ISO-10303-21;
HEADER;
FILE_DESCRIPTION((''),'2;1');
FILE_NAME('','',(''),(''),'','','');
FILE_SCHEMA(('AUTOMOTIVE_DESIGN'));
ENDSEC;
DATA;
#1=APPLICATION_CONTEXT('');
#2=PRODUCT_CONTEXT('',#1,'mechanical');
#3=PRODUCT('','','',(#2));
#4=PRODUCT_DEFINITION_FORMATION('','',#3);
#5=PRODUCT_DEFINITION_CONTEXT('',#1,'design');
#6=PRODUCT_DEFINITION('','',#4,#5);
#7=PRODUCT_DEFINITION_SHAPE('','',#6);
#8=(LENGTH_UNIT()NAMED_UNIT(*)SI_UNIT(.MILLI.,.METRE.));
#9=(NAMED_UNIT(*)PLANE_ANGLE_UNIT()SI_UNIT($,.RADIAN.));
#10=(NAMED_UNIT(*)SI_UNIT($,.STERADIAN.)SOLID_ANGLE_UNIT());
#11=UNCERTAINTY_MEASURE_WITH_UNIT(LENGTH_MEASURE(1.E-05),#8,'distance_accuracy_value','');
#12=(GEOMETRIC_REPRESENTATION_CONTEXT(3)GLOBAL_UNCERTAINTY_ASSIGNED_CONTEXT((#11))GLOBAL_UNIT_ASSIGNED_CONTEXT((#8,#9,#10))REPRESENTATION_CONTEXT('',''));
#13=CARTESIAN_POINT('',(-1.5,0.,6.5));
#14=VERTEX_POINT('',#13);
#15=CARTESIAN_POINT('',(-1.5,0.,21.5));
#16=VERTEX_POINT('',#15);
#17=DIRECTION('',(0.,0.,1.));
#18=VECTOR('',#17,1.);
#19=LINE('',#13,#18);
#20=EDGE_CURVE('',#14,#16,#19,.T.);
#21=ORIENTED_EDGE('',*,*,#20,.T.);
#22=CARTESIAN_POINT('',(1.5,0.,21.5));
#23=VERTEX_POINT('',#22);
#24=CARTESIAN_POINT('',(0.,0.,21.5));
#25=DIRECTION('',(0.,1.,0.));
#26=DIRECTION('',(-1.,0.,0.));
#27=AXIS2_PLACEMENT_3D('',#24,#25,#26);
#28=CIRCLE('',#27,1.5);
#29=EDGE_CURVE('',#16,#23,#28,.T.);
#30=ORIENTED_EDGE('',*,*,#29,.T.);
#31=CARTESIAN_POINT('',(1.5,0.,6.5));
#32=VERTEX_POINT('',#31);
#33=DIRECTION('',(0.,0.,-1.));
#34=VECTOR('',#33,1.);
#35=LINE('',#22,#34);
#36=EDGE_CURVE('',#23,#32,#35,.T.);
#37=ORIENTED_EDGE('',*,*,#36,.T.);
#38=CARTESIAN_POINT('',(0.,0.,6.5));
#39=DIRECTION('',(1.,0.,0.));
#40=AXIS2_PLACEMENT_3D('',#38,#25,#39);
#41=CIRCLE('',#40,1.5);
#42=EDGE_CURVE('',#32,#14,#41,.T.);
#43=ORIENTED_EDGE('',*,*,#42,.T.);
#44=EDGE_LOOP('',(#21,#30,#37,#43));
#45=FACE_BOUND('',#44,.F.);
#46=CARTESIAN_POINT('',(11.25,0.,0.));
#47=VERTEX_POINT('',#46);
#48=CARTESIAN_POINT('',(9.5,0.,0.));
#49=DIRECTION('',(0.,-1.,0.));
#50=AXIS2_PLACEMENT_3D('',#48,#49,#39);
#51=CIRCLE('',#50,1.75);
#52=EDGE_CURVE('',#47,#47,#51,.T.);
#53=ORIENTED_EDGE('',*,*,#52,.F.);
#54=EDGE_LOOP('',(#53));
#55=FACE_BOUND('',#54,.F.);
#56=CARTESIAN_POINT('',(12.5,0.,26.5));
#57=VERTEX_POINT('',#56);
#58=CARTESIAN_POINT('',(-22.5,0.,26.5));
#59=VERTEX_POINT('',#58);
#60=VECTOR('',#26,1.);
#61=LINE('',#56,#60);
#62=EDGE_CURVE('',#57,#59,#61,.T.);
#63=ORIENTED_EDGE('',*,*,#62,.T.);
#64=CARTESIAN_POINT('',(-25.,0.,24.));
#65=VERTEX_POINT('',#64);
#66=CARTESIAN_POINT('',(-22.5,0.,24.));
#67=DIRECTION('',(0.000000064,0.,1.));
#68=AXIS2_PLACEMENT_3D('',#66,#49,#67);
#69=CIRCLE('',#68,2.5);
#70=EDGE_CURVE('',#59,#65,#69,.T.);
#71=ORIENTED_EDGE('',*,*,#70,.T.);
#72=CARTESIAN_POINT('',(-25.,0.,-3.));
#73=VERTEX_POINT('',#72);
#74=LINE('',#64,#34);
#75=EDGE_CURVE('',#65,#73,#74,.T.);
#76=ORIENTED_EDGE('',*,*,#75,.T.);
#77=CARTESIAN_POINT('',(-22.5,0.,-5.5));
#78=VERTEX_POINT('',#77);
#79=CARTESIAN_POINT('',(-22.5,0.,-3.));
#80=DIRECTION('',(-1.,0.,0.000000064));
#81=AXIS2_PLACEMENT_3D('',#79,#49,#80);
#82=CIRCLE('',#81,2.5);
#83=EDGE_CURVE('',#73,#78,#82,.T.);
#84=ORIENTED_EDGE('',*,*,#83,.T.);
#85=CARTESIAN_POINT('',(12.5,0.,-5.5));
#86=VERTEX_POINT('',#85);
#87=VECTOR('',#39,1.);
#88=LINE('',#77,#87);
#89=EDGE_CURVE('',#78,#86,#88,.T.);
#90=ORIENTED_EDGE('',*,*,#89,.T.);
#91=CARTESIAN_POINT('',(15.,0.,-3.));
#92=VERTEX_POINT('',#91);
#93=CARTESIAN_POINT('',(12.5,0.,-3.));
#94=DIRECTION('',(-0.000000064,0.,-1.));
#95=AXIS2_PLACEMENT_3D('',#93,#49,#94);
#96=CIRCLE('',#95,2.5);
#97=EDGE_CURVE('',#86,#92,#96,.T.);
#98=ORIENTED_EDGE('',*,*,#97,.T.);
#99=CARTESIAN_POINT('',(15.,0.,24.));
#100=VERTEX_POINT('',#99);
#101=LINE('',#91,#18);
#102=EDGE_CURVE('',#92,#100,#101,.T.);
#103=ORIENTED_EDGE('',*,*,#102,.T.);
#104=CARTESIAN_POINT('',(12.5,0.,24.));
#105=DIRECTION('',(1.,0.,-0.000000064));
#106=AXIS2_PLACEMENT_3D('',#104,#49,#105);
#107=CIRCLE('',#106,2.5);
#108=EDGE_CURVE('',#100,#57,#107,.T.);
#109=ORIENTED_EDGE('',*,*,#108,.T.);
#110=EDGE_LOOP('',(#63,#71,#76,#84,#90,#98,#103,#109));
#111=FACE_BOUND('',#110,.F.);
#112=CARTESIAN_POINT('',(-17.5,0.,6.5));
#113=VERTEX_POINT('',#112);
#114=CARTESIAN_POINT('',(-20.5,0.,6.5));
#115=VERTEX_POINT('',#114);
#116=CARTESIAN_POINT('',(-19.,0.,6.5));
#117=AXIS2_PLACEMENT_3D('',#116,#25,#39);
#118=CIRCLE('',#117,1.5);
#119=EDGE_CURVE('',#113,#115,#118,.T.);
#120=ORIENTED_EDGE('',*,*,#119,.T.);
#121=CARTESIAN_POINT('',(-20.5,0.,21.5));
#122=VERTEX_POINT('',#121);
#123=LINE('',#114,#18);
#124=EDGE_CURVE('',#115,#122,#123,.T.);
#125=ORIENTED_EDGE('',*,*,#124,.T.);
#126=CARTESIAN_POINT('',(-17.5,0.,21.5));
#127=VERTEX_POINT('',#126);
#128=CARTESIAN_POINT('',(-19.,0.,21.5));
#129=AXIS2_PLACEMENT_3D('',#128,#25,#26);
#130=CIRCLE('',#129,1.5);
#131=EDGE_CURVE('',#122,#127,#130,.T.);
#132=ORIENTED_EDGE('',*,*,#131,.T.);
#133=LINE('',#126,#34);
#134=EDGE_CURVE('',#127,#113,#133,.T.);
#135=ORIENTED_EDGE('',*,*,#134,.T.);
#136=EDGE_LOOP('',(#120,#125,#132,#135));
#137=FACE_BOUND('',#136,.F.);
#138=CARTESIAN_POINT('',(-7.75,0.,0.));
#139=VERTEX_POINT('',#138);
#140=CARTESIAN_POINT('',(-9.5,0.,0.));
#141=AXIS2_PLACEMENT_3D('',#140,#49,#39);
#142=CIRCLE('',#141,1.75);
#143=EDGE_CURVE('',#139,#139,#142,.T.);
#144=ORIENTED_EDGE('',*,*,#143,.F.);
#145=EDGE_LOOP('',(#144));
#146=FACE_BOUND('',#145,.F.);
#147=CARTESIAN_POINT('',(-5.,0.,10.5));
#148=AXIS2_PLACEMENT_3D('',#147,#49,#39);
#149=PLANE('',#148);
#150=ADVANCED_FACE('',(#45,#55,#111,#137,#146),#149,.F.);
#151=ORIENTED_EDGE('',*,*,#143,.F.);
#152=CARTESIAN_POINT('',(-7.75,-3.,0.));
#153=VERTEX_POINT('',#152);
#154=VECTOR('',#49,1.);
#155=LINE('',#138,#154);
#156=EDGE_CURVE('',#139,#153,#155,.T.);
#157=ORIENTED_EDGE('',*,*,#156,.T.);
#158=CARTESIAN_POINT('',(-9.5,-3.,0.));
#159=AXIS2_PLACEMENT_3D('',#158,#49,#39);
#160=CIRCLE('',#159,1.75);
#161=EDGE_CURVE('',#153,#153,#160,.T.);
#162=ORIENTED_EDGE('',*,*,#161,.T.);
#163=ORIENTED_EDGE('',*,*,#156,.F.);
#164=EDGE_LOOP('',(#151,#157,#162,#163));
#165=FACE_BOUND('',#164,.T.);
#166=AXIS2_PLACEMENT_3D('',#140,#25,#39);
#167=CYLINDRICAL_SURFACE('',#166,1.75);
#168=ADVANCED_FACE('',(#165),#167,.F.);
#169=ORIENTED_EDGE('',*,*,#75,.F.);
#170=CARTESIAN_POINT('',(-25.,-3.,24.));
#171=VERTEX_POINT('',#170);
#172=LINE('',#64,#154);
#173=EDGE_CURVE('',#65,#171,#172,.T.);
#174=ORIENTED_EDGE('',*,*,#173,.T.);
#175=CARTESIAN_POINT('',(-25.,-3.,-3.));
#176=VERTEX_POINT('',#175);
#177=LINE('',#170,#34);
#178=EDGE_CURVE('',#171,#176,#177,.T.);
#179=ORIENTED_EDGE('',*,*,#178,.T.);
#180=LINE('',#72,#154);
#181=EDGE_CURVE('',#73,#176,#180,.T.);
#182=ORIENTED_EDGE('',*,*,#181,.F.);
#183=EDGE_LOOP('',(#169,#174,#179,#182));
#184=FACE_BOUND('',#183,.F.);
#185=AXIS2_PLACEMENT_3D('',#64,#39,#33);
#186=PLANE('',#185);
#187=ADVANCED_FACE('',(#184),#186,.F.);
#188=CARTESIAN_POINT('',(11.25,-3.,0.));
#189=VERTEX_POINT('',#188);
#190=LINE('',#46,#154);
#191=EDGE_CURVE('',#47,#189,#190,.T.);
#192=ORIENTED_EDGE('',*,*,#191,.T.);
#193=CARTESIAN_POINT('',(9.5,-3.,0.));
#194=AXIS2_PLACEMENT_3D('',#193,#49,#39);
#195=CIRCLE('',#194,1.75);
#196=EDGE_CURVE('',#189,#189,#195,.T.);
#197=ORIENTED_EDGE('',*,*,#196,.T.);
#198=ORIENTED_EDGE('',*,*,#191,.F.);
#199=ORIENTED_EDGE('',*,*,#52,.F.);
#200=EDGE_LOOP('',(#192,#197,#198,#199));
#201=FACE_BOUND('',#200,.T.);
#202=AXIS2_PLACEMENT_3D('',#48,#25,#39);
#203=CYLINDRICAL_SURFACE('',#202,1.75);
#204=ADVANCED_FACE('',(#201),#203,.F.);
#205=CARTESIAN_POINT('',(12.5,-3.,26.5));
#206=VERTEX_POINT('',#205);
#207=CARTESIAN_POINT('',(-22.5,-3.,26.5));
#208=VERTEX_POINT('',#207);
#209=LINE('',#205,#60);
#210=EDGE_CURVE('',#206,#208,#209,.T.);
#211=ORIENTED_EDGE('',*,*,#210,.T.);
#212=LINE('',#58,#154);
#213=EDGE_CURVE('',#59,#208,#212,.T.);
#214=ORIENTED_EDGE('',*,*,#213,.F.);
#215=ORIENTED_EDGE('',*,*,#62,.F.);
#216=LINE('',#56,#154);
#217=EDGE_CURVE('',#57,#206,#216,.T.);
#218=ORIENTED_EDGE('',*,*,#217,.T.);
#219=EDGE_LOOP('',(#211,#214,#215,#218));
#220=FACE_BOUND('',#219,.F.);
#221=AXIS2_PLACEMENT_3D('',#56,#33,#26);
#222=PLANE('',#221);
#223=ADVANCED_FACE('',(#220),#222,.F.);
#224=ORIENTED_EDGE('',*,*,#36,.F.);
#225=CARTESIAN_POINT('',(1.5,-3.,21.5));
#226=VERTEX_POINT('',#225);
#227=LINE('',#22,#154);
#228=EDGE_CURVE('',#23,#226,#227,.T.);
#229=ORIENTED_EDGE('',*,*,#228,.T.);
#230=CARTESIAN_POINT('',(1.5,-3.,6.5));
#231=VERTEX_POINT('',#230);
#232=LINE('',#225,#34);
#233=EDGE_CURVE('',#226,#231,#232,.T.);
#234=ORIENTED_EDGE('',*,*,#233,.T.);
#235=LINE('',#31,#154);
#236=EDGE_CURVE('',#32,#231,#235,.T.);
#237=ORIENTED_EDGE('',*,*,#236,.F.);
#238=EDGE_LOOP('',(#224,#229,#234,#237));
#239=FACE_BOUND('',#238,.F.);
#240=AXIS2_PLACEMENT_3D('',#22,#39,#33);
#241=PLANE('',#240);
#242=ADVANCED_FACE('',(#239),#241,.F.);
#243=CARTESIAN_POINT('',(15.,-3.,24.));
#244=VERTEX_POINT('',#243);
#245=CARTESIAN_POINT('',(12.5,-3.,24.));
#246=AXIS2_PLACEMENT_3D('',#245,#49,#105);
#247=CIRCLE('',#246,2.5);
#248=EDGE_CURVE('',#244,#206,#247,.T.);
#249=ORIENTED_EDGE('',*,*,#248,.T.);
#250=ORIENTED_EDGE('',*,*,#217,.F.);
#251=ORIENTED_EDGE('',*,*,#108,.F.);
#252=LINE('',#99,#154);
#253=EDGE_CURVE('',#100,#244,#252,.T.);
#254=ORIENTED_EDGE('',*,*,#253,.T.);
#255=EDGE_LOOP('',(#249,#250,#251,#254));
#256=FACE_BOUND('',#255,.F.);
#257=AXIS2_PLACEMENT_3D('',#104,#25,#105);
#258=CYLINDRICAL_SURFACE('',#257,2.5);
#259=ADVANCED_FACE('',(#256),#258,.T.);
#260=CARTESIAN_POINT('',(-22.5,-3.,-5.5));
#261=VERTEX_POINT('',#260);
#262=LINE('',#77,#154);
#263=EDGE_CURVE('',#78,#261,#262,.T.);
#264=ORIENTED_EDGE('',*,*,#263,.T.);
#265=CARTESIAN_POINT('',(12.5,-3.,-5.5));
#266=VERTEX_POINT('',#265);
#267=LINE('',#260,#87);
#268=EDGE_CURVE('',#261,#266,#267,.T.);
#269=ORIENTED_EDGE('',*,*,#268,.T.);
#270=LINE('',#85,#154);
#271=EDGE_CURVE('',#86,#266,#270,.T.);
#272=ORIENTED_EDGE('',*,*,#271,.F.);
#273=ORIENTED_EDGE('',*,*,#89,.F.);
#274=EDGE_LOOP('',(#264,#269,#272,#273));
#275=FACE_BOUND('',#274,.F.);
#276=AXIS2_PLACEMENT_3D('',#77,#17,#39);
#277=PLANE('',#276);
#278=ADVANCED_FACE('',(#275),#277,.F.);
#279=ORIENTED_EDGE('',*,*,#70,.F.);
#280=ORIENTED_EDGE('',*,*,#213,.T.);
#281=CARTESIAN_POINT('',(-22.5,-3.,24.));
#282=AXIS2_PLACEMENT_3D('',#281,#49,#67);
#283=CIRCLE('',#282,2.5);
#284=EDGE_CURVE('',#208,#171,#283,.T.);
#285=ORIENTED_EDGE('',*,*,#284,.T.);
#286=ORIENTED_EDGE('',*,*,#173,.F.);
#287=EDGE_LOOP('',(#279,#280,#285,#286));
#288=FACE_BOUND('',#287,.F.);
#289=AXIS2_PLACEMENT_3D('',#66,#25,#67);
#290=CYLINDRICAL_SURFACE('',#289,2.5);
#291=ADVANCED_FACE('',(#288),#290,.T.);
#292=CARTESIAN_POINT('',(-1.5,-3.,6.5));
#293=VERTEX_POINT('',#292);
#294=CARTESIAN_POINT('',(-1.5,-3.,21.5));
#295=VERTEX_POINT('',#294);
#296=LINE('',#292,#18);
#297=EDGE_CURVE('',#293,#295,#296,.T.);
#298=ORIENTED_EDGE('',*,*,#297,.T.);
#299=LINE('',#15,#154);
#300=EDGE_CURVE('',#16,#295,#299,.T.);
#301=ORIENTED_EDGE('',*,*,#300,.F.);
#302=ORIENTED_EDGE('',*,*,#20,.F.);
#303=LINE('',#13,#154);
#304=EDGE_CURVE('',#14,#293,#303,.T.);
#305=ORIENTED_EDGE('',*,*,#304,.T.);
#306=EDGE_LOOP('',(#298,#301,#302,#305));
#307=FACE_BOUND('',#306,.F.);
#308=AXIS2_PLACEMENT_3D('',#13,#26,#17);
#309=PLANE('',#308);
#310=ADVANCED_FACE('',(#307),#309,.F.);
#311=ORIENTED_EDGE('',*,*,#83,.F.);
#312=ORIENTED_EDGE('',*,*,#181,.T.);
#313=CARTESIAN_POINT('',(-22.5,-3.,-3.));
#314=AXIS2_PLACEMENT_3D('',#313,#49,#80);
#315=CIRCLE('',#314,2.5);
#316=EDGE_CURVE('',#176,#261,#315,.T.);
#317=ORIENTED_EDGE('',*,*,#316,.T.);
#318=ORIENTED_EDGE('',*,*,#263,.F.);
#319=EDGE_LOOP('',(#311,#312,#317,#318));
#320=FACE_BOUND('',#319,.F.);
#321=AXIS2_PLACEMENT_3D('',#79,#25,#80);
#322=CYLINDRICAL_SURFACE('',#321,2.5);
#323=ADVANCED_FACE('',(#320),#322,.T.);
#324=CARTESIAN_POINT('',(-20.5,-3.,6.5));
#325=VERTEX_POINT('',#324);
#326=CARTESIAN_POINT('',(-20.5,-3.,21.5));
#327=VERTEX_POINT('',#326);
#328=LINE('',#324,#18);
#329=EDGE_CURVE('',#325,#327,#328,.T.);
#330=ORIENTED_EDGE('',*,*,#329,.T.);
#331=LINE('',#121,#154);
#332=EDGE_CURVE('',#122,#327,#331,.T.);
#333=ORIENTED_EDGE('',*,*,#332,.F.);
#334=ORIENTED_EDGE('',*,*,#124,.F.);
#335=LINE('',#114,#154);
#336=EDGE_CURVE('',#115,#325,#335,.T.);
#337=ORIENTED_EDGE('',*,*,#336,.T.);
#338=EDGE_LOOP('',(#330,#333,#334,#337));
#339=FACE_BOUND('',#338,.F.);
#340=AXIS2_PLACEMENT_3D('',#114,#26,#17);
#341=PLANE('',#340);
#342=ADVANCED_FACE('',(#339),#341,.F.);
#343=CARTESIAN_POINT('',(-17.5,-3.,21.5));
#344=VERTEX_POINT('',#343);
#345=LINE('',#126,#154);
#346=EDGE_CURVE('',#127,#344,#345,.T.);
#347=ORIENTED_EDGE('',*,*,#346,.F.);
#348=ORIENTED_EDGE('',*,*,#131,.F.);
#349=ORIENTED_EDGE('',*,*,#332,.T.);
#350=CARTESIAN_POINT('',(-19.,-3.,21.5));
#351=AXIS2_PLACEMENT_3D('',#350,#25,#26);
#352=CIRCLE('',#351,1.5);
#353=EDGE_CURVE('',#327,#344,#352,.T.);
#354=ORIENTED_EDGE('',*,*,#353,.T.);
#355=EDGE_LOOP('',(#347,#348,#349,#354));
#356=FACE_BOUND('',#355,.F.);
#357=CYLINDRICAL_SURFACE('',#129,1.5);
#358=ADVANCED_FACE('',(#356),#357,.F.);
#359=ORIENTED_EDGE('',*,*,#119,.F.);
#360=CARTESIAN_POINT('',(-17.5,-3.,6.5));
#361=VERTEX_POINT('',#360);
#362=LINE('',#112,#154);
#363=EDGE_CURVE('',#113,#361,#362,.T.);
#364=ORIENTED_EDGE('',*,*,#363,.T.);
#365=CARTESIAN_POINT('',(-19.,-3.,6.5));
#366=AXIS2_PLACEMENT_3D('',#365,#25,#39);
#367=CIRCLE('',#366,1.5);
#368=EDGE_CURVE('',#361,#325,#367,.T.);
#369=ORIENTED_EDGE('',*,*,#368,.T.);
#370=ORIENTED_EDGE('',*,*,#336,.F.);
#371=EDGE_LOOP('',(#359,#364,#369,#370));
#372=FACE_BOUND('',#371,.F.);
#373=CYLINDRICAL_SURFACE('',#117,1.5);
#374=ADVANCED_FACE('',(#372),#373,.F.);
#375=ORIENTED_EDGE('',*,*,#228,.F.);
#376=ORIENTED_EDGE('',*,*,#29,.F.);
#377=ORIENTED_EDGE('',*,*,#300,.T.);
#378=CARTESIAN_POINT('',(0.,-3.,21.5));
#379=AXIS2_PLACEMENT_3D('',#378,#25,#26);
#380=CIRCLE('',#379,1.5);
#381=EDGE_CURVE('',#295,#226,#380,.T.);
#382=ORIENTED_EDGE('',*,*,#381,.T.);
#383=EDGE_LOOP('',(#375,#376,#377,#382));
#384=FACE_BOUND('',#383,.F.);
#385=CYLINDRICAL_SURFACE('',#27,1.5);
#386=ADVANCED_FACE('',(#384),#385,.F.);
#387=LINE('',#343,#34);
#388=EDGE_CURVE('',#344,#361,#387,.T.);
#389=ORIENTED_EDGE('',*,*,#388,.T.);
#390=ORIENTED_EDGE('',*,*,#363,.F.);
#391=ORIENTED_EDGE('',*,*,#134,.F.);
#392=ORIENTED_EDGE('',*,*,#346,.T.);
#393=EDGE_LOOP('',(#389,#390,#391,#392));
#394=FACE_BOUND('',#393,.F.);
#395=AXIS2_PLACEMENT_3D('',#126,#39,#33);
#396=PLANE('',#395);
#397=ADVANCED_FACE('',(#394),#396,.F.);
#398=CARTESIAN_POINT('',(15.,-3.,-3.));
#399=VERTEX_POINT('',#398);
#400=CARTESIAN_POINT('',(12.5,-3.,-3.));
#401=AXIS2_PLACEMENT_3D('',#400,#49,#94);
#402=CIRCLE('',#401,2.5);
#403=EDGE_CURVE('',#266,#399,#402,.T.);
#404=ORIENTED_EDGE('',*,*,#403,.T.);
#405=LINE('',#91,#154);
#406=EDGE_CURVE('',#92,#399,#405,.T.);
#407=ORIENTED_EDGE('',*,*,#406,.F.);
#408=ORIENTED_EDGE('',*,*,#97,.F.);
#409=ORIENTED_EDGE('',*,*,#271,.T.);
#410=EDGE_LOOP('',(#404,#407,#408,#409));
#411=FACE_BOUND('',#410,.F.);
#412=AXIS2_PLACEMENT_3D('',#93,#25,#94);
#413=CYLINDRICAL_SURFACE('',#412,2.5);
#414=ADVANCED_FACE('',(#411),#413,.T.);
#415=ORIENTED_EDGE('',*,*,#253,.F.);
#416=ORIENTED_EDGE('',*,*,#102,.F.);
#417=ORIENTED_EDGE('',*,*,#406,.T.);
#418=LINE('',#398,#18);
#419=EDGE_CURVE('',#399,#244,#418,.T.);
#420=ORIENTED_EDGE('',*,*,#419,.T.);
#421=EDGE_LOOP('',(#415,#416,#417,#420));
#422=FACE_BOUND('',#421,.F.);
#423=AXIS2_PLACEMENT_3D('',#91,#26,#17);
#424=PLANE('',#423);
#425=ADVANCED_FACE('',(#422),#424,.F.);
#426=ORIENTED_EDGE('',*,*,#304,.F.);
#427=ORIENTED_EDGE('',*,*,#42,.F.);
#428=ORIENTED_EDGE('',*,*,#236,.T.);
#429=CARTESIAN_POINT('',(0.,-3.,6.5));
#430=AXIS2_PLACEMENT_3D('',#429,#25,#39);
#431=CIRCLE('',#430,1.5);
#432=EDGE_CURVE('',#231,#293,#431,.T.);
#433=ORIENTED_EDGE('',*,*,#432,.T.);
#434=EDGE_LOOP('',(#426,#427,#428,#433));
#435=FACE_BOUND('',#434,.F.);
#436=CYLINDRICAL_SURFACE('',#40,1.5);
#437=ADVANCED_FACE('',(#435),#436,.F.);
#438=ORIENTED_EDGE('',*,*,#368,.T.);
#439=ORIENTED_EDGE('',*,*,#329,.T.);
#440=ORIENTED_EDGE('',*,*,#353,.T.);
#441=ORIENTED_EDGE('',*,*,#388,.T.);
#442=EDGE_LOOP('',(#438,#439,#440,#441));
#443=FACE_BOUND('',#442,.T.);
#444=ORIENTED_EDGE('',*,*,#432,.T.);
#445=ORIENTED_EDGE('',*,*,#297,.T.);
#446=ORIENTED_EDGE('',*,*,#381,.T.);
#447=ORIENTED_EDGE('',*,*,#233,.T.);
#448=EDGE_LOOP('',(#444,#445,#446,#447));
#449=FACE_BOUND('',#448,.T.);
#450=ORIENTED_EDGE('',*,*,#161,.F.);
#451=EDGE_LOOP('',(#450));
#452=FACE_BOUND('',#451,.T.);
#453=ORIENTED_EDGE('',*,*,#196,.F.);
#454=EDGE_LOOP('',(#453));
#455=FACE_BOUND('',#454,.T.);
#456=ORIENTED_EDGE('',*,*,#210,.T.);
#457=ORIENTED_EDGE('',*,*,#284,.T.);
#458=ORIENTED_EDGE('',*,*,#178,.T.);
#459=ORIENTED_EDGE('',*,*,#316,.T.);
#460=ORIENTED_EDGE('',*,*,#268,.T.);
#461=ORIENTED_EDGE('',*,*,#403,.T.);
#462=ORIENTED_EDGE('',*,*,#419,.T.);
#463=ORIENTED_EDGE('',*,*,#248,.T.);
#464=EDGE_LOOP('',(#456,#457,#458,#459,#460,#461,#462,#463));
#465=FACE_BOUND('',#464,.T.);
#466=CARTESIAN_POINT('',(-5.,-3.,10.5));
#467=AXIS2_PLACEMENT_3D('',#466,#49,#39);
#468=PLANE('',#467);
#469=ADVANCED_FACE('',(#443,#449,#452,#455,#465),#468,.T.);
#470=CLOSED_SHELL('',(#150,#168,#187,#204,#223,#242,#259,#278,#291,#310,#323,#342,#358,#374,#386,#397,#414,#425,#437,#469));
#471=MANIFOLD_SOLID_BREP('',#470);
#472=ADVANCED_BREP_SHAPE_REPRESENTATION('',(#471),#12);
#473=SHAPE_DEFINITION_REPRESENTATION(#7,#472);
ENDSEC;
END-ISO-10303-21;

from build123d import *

# Parameters (mm, degrees)
F0_R     = 1.75
F1_DEPTH = 3


with BuildPart() as f1:
    # F0 (on Front) → F1 (new body)
    with BuildSketch(Plane.XZ):
        with BuildLine():
            Line((-22.5, -5.5), (12.5, -5.5))
            ThreePointArc((12.5, -5.5), (14.267767, -4.767767), (15, -3))
            Line((15, -3), (15, 24))
            ThreePointArc((15, 24), (14.267767, 25.767767), (12.5, 26.5))
            Line((12.5, 26.5), (-22.5, 26.5))
            ThreePointArc((-22.5, 26.5), (-24.267767, 25.767767), (-25, 24))
            Line((-25, 24), (-25, -3))
            ThreePointArc((-25, -3), (-24.267767, -4.767767), (-22.5, -5.5))
        make_face()
        with Locations((-9.5, 0)):
            Circle(F0_R, mode=Mode.SUBTRACT)
        with Locations((9.5, 0)):
            Circle(F0_R, mode=Mode.SUBTRACT)
        with BuildLine():
            Line((-20.5, 6.5), (-20.5, 21.5))
            ThreePointArc((-20.5, 21.5), (-19, 23), (-17.5, 21.5))
            Line((-17.5, 21.5), (-17.5, 6.5))
            ThreePointArc((-17.5, 6.5), (-19, 5), (-20.5, 6.5))
        make_face(mode=Mode.SUBTRACT)
        with BuildLine():
            Line((1.5, 21.5), (1.5, 6.5))
            ThreePointArc((1.5, 6.5), (0, 5), (-1.5, 6.5))
            Line((-1.5, 6.5), (-1.5, 21.5))
            ThreePointArc((-1.5, 21.5), (0, 23), (1.5, 21.5))
        make_face(mode=Mode.SUBTRACT)
    extrude(amount=F1_DEPTH)


solid = f1.part
